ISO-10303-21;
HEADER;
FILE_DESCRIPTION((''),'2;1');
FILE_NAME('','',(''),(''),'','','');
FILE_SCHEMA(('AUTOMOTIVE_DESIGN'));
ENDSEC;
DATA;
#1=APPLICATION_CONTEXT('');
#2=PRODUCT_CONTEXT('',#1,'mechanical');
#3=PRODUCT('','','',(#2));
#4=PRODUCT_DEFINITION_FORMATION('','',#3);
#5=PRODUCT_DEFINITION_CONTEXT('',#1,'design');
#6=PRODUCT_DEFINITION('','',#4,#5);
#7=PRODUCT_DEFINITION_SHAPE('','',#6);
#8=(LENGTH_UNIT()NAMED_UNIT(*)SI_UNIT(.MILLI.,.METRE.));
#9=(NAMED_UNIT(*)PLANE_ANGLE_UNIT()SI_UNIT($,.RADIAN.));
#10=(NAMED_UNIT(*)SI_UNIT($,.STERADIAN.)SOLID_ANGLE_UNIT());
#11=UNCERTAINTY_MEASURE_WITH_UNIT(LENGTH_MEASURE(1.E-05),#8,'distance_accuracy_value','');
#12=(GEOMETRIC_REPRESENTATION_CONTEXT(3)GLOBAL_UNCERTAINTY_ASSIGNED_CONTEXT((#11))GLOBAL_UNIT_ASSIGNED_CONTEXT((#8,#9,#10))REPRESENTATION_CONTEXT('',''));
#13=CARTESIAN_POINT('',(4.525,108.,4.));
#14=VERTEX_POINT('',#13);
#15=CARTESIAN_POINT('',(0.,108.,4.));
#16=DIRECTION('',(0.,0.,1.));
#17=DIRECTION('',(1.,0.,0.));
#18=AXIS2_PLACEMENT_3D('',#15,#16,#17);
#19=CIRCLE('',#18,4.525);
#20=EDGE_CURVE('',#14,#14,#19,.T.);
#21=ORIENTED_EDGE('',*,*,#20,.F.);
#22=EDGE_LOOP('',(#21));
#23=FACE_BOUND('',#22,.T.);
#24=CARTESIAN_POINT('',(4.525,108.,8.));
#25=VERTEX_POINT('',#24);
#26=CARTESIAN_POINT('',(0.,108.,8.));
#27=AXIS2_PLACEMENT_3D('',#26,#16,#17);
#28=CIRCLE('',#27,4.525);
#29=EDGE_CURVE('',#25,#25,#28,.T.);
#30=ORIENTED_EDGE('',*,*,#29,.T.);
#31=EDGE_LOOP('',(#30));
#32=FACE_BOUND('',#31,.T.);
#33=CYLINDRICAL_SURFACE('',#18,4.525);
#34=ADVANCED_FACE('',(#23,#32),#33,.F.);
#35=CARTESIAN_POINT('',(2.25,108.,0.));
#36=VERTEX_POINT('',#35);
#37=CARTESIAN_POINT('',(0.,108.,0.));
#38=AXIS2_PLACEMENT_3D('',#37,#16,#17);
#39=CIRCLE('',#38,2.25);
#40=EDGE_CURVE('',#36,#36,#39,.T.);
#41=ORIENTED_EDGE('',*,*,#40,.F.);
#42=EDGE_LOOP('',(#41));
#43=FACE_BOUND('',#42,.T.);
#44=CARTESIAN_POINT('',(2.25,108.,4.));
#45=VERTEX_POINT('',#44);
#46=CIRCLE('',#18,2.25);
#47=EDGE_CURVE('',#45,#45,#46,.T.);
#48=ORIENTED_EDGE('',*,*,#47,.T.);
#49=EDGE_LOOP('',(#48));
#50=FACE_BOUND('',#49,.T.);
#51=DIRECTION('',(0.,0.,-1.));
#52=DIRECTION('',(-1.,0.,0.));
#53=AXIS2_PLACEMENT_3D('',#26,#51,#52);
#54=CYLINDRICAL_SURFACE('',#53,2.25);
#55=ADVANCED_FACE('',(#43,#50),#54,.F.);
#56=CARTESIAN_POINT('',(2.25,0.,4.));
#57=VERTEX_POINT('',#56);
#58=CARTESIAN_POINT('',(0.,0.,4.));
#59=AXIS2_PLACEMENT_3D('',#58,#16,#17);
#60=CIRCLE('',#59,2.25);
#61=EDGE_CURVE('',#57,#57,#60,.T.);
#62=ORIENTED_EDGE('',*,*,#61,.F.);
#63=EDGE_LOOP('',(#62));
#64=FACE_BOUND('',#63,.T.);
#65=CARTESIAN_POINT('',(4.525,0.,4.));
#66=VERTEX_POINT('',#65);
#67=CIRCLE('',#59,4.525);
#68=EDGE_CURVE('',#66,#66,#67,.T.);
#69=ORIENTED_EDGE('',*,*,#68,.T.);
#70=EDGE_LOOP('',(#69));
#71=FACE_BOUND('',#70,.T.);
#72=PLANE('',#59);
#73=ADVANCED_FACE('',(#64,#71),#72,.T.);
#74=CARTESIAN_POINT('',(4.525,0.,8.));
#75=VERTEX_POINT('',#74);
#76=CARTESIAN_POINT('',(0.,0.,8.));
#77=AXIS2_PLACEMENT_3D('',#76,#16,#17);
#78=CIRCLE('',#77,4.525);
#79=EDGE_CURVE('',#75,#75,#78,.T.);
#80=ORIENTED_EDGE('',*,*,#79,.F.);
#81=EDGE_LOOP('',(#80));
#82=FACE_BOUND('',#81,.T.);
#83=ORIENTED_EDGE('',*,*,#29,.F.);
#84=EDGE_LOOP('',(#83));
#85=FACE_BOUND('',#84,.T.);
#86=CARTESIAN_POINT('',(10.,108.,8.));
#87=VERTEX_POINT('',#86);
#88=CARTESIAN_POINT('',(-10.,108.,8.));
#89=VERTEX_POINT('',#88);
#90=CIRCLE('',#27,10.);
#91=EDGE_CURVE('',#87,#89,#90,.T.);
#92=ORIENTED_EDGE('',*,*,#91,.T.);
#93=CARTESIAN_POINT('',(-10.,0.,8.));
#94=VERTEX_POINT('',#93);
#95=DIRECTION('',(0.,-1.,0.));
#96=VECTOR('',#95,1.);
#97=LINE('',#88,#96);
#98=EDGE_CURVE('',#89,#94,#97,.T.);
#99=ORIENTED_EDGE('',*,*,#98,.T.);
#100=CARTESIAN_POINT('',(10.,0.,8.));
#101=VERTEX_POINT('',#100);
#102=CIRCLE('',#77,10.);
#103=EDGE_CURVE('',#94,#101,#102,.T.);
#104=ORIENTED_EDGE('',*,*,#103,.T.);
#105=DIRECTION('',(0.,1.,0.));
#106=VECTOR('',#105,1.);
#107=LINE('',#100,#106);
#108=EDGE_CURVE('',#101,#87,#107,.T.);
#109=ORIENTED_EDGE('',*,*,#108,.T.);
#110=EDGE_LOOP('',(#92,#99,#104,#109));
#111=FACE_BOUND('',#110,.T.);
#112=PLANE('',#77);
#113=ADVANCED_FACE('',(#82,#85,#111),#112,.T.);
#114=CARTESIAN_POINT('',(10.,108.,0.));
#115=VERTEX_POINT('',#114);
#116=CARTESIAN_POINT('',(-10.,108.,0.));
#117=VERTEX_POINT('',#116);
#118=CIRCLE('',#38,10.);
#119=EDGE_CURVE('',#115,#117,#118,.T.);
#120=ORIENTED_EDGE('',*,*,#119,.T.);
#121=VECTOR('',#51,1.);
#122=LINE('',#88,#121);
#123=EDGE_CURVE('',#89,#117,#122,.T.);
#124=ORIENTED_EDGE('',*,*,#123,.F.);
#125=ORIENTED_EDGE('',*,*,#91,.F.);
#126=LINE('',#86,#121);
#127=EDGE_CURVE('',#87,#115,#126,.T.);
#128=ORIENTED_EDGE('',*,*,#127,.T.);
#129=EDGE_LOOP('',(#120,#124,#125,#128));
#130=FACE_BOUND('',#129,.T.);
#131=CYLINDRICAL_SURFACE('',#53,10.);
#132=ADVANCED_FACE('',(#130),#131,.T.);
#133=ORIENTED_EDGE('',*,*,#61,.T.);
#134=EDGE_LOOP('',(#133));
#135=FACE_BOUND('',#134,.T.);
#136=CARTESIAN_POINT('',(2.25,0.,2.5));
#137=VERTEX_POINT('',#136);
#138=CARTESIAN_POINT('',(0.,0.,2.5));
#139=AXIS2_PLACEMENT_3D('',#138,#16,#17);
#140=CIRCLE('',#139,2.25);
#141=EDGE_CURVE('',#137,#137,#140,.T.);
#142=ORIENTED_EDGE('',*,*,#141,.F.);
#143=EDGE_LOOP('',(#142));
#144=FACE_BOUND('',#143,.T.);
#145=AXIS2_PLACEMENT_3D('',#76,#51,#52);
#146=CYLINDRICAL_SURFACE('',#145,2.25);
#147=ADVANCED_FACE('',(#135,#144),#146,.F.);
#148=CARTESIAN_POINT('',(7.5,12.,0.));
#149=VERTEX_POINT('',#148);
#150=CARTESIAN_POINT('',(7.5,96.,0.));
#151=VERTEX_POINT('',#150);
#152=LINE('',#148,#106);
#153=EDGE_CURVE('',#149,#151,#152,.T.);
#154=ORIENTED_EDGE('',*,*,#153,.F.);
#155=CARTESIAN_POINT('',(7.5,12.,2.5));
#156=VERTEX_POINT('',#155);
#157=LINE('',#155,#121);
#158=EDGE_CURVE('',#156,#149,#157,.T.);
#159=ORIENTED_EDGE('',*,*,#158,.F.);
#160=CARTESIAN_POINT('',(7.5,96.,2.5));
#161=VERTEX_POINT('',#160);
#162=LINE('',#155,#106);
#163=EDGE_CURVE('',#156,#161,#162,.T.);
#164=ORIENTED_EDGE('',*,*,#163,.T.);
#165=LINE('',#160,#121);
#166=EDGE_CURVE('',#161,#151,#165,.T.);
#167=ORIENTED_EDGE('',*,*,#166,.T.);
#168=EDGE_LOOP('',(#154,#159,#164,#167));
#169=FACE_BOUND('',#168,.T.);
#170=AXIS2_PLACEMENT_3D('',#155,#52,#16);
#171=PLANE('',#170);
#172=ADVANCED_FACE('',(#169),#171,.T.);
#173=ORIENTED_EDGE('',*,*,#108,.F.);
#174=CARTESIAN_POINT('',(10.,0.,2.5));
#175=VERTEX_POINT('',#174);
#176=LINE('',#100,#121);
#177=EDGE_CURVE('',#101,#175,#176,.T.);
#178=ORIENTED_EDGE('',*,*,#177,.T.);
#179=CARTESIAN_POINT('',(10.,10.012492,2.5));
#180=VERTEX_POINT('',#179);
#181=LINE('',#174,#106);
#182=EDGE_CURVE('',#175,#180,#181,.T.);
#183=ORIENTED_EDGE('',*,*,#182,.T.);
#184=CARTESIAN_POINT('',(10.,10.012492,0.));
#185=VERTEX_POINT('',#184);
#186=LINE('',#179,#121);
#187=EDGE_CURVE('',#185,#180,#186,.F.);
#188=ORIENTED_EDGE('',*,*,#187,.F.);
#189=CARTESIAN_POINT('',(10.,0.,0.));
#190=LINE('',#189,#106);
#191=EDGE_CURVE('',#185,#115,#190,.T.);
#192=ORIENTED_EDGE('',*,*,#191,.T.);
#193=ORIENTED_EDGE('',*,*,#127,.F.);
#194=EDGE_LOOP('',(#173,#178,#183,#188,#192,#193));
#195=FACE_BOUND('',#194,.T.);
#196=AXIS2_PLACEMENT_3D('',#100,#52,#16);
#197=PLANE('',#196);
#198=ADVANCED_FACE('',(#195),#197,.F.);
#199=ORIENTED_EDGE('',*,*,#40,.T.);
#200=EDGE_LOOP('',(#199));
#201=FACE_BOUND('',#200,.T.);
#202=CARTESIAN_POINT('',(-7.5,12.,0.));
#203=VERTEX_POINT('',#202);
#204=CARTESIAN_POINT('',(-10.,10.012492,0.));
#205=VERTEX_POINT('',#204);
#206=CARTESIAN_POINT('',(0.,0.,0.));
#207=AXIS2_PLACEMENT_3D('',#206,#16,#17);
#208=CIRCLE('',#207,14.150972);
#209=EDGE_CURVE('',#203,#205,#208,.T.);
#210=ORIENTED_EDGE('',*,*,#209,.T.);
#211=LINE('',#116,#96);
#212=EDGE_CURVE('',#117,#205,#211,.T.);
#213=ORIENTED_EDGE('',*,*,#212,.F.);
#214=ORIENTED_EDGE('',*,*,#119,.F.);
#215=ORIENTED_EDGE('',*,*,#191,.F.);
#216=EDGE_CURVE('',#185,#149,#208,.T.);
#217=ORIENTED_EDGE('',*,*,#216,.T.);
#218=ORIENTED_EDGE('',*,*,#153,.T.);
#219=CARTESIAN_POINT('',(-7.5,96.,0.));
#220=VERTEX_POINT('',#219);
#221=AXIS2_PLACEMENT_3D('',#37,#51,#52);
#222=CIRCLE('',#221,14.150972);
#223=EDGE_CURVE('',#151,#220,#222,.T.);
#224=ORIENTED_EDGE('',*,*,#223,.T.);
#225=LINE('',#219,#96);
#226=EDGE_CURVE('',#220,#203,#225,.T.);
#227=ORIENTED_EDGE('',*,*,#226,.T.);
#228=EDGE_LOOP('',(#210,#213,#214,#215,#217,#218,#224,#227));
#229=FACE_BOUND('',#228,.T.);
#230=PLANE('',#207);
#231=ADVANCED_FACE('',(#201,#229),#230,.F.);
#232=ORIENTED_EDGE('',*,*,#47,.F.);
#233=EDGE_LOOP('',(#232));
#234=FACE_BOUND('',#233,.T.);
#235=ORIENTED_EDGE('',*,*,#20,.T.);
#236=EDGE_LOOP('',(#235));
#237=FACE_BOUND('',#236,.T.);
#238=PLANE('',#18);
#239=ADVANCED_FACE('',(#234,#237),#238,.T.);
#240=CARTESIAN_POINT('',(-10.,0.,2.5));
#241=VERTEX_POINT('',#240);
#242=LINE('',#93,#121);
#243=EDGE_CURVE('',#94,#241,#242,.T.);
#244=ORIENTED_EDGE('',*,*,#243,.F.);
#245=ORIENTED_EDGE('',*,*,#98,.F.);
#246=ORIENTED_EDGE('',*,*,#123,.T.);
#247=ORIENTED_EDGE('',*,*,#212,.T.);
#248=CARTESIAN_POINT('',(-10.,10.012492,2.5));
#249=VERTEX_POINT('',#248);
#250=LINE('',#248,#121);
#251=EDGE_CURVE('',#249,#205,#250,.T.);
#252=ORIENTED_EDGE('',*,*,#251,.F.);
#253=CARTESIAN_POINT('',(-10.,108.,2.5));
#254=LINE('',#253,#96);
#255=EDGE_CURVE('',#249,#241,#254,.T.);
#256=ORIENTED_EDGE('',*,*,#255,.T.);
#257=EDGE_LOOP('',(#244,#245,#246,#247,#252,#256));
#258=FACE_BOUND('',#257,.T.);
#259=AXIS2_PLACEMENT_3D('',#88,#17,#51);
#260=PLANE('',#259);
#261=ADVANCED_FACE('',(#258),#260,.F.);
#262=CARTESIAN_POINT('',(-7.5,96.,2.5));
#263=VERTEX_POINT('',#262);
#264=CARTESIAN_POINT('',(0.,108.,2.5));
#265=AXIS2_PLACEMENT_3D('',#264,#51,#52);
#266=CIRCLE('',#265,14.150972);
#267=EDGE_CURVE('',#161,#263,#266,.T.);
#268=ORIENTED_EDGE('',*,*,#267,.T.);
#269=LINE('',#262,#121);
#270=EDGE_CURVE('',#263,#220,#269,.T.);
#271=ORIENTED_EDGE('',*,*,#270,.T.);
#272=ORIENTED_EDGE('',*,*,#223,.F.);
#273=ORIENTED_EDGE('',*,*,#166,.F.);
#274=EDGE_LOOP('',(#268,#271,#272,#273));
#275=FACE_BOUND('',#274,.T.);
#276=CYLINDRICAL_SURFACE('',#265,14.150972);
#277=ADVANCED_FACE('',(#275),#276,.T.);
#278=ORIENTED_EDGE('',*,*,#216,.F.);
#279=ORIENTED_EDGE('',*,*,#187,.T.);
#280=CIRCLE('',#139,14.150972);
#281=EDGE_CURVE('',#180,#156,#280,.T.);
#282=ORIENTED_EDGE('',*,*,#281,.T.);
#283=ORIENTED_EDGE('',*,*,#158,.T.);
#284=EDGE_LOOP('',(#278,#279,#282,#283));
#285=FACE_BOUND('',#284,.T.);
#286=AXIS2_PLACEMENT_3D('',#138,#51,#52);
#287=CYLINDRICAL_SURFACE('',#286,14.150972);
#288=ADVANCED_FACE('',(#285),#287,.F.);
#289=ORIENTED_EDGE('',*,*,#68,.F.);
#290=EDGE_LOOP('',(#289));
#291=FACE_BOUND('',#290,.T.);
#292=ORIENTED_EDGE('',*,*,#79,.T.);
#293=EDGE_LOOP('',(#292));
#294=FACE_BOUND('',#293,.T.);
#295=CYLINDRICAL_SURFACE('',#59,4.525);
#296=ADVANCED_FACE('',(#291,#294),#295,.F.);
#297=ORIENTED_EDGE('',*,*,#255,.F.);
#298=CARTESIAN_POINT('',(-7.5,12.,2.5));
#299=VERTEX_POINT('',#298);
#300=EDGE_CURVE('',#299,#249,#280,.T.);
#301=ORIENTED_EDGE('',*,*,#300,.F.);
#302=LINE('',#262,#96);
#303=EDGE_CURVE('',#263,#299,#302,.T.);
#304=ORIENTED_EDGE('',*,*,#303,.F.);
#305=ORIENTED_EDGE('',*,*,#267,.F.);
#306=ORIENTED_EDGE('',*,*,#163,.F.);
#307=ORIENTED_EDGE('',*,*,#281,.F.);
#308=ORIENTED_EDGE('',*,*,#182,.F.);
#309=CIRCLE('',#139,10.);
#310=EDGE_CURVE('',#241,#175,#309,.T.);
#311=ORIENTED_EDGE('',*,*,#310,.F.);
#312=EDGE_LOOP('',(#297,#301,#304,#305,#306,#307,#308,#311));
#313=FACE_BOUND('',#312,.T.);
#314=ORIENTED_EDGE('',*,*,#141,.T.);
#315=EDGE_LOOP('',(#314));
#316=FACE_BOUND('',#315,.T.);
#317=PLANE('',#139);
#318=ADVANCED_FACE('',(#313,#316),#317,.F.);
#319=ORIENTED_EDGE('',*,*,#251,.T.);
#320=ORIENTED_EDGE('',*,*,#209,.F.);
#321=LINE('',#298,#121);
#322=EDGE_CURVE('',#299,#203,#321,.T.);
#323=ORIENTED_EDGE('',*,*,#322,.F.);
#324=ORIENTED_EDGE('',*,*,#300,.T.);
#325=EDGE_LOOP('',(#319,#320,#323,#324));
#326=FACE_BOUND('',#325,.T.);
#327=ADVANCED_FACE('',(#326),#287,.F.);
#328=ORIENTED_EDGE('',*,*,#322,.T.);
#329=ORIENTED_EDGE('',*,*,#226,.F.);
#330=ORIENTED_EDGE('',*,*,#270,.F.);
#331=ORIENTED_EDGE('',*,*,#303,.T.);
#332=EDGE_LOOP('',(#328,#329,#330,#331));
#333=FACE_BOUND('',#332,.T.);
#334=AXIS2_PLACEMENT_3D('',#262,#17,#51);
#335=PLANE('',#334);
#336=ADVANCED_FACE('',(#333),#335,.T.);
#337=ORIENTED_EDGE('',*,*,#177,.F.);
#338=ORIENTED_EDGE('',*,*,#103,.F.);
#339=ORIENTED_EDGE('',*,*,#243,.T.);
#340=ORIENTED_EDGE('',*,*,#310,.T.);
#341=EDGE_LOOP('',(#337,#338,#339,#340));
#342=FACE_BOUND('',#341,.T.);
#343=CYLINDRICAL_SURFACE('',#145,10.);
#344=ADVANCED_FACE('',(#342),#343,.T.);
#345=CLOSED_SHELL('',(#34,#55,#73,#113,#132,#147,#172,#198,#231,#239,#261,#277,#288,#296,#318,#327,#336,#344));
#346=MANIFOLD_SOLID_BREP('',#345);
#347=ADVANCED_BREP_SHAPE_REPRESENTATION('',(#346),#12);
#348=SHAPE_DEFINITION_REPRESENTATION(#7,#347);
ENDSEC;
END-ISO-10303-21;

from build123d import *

# Parameters (mm, degrees)
SKETCH1_R           = 2.25
BOSS_EXTRUDE1_DEPTH = 8
SKETCH2_R           = 4.525
CUT_EXTRUDE1_DEPTH  = 4
CUT_EXTRUDE2_DEPTH  = 2.5


with BuildPart() as part:
    # Sketch1 → Boss-Extrude1 (new body)
    with BuildSketch(Plane.XY):
        with BuildLine():
            Line((10, 0), (10, 108))
            ThreePointArc((10, 108), (0, 118), (-10, 108))
            Line((-10, 108), (-10, 0))
            ThreePointArc((-10, 0), (0, -10), (10, 0))
        make_face()
        Circle(SKETCH1_R, mode=Mode.SUBTRACT)
        with Locations((0, 108)):
            Circle(SKETCH1_R, mode=Mode.SUBTRACT)
    extrude(amount=BOSS_EXTRUDE1_DEPTH)

    # Sketch2 → Cut-Extrude1 (cut)
    with BuildSketch(Plane.XY.offset(8)):
        Circle(SKETCH2_R)
        with Locations((0, 108)):
            Circle(SKETCH2_R)
    extrude(amount=-CUT_EXTRUDE1_DEPTH, mode=Mode.SUBTRACT)

    # Sketch3 → Cut-Extrude2 (cut)
    with BuildSketch(Plane.XY):
        with BuildLine():
            Line((7.5, 12), (7.5, 96))
            ThreePointArc((7.5, 96), (0, 93.849028302), (-7.5, 96))
            Line((-7.5, 96), (-7.5, 12))
            ThreePointArc((-7.5, 12), (0, -14.150971698), (7.5, 12))
        make_face()
    extrude(amount=CUT_EXTRUDE2_DEPTH, mode=Mode.SUBTRACT)


solid = part.part
